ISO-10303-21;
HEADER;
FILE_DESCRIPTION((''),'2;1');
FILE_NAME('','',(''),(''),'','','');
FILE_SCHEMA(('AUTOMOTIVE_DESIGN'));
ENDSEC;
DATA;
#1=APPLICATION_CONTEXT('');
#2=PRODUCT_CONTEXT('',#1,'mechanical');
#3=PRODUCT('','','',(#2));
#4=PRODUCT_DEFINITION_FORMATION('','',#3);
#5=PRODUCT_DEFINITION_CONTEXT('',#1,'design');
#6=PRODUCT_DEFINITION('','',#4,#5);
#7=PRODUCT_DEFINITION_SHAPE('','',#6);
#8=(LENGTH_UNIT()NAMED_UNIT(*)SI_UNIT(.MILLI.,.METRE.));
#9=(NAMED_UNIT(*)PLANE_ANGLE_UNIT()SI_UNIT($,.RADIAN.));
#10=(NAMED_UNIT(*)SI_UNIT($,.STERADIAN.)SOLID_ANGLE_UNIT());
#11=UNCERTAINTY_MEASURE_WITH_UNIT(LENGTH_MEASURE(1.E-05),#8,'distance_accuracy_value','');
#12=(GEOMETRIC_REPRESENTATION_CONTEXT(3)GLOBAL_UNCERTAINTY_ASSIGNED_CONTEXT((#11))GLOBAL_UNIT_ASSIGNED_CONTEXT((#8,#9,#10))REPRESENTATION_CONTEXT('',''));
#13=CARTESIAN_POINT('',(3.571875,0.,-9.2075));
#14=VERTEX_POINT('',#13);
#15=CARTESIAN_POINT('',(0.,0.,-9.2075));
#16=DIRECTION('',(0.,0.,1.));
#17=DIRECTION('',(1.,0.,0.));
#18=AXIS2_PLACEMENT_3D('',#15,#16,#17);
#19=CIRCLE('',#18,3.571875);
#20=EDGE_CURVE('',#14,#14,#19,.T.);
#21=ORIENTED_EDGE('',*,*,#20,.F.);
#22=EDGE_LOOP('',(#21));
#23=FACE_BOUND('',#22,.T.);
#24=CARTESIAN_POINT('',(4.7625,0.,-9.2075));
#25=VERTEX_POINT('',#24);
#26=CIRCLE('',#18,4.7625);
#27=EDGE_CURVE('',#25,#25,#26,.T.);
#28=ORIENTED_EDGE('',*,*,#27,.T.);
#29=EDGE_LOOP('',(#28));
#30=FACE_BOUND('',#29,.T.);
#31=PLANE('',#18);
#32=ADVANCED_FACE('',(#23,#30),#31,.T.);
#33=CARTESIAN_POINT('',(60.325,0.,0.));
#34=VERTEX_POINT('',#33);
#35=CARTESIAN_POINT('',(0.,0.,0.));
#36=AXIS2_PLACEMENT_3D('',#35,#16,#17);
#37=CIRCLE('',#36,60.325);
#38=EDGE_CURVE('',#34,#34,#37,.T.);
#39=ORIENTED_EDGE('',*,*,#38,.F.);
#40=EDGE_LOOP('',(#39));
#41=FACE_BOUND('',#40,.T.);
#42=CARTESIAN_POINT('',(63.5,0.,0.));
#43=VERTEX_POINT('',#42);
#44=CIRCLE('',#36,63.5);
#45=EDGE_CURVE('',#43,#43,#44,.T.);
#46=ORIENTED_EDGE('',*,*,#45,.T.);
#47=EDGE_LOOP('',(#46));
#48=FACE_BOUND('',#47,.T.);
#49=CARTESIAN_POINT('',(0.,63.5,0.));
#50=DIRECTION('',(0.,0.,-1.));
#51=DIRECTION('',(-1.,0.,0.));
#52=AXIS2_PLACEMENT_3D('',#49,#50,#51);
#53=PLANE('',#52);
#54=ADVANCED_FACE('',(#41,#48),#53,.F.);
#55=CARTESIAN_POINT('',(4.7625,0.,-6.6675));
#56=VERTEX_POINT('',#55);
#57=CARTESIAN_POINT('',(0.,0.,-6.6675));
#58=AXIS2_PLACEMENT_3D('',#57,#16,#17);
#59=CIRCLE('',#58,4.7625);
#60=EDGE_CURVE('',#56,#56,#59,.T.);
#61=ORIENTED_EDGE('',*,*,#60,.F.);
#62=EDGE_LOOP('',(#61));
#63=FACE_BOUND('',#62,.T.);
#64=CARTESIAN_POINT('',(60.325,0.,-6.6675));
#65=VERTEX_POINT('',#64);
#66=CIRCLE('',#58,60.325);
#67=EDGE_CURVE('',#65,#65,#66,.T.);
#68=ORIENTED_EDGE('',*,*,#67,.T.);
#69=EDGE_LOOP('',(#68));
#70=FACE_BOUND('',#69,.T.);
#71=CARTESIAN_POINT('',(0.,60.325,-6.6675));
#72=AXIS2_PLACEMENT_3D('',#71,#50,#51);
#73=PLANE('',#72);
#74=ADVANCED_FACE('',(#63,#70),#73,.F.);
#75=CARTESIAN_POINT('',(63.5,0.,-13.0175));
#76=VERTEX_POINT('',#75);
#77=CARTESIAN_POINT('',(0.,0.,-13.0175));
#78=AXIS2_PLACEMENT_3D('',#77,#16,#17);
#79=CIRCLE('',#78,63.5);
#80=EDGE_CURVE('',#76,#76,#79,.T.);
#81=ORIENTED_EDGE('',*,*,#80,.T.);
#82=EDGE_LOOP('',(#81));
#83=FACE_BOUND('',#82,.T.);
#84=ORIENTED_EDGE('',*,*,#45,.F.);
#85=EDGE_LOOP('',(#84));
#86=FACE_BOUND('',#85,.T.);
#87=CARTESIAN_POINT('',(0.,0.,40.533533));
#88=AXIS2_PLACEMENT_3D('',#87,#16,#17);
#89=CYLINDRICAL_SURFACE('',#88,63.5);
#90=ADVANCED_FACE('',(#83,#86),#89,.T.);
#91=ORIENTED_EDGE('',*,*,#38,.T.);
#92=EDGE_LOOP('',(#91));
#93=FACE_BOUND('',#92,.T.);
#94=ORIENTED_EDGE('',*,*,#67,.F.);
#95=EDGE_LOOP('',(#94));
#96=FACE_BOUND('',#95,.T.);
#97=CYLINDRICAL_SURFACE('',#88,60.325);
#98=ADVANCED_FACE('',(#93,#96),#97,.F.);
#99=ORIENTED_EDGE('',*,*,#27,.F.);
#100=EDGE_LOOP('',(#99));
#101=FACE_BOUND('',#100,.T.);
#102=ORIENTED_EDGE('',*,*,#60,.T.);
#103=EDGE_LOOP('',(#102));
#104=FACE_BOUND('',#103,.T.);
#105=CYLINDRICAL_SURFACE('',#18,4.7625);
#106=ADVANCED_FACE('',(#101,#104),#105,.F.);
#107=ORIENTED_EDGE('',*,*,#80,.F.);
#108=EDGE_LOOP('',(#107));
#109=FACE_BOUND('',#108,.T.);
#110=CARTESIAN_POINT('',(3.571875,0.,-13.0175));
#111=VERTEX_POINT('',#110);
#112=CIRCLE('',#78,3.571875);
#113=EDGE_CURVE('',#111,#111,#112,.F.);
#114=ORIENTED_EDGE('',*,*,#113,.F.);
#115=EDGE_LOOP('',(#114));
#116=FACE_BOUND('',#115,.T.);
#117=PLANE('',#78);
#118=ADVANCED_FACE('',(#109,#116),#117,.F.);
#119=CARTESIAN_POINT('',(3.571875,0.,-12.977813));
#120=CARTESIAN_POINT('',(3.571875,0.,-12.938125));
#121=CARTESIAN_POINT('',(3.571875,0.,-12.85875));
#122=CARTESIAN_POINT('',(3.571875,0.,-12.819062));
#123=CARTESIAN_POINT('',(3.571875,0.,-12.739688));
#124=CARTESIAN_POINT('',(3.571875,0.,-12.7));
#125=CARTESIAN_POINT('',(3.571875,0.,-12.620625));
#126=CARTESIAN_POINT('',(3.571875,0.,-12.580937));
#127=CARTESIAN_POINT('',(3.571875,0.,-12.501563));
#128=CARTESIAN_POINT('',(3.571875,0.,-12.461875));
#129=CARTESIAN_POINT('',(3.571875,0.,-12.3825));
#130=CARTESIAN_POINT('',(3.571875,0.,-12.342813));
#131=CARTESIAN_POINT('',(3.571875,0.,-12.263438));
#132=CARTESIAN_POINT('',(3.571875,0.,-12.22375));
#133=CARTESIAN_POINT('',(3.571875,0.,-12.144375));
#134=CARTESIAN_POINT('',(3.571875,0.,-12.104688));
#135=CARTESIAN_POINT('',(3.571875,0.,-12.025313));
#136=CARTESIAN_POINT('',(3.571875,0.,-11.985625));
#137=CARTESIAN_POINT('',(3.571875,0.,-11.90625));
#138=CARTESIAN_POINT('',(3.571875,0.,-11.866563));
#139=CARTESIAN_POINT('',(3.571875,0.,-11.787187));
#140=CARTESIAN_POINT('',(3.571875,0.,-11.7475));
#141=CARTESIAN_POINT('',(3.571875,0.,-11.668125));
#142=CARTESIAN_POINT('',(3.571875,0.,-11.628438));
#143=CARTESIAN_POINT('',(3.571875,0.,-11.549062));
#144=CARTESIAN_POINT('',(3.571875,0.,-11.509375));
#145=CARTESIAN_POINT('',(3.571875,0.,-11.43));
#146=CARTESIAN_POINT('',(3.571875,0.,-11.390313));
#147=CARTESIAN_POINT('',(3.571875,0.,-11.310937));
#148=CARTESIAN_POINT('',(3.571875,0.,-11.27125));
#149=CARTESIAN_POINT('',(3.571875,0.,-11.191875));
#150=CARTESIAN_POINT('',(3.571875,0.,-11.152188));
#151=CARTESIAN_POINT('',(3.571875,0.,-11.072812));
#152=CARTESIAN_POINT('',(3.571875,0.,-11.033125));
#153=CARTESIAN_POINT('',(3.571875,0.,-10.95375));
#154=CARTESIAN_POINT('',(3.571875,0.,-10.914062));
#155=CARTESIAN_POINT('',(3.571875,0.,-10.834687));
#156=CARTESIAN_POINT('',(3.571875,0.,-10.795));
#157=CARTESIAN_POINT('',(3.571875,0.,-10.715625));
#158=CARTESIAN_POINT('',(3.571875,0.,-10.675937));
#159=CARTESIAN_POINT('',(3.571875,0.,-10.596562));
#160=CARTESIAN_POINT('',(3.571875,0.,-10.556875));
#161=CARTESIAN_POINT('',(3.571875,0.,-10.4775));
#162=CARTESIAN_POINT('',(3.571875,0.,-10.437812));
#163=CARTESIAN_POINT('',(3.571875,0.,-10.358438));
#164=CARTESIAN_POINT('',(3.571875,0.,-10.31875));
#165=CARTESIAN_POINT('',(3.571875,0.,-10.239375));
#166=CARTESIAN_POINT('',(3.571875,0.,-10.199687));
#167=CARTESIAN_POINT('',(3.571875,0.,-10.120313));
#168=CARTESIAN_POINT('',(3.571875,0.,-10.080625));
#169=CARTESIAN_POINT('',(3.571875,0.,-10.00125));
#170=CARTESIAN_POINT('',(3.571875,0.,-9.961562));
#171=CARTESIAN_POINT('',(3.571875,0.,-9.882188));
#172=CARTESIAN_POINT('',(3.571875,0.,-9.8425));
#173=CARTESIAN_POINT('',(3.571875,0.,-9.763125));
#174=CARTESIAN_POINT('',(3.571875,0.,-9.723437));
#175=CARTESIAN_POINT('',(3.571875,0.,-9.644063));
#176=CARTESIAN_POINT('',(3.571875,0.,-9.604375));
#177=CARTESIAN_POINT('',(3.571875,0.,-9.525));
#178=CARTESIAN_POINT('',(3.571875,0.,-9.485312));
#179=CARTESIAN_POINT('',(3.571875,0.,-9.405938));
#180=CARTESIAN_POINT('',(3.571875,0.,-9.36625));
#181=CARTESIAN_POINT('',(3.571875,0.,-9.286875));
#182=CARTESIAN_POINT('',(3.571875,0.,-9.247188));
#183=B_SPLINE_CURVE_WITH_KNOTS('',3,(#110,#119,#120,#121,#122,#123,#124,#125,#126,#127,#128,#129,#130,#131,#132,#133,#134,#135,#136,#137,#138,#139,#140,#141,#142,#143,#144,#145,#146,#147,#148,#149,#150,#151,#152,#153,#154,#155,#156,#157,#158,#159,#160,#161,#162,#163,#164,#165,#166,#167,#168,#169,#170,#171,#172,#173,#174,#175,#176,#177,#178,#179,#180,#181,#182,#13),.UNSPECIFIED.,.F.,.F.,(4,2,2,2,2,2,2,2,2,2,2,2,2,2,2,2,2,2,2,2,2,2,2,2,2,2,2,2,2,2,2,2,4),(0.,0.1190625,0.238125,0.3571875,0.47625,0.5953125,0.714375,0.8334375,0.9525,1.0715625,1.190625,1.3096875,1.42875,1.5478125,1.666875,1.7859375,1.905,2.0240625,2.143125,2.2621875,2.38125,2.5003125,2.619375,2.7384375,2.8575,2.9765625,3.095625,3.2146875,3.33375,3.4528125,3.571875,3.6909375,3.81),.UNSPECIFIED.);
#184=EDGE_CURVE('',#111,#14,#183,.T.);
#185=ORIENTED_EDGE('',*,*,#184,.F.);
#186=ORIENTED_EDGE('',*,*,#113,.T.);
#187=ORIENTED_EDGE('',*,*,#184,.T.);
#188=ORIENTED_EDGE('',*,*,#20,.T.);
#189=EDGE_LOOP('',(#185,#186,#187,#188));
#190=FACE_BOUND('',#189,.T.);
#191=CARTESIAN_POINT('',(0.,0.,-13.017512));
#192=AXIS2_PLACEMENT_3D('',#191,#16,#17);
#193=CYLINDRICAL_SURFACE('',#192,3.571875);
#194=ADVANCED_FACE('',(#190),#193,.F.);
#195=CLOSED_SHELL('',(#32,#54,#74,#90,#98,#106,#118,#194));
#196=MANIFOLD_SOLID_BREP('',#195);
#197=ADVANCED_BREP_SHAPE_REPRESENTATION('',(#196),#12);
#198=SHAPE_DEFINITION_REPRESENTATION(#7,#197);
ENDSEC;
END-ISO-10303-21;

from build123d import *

# Parameters (mm, degrees)
CUT_EXTRUDE1_REACH             = 92.741
SKETCH3_R                      = 3.571875
CUT_EXTRUDE1_DIRECTION_2_DEPTH = 91.741144506
SKETCH4_R                      = 4.7625
CUT_EXTRUDE2_DEPTH             = 2.54


with BuildPart() as part:
    # Sketch2 → Revolve1 (revolve)
    with BuildSketch(Plane(origin=(0, 0, 0), x_dir=(0, 0, -1), z_dir=(1, 0, 0)), mode=Mode.PRIVATE) as revolve1_sk:
        Polygon((0, 63.5), (0, 60.325), (6.6675, 60.325), (6.6675, 0), (13.0175, 0), (13.0175, 63.5), align=None)
    revolve(revolve1_sk.sketch.rotate(Axis((0, 0, 40.533532934), (0, 0, -1)), 90), axis=Axis((0, 0, 40.533532934), (0, 0, -1)))

    # Sketch3 → Cut-Extrude1 (cut, up to next)
    with BuildSketch(Plane(origin=(0, 0, -13.0175), x_dir=(-1, 0, 0), z_dir=(0, 0, -1)), mode=Mode.PRIVATE) as cut_extrude1_sk1:
        with Locations(Location((0, 0, 0), (0, 0, 180))):
            Circle(SKETCH3_R)
    cut_extrude1_tool1 = extrude(cut_extrude1_sk1.sketch, amount=-CUT_EXTRUDE1_REACH, mode=Mode.PRIVATE) & part.part
    add(cut_extrude1_tool1.solids().sort_by_distance((0, 0, -13.0175))[0], mode=Mode.SUBTRACT)

    # Sketch3 → Cut-Extrude1 direction 2 (cut)
    with BuildSketch(Plane(origin=(0, 0, -13.0175), x_dir=(-1, 0, 0), z_dir=(0, 0, -1))):
        with Locations(Location((0, 0, 0), (0, 0, 180))):
            Circle(SKETCH3_R)
    extrude(amount=CUT_EXTRUDE1_DIRECTION_2_DEPTH, mode=Mode.SUBTRACT)

    # Sketch4 → Cut-Extrude2 (cut)
    with BuildSketch(Plane.XY.offset(-6.6675)):
        Circle(SKETCH4_R)
    extrude(amount=-CUT_EXTRUDE2_DEPTH, mode=Mode.SUBTRACT)


solid = part.part
